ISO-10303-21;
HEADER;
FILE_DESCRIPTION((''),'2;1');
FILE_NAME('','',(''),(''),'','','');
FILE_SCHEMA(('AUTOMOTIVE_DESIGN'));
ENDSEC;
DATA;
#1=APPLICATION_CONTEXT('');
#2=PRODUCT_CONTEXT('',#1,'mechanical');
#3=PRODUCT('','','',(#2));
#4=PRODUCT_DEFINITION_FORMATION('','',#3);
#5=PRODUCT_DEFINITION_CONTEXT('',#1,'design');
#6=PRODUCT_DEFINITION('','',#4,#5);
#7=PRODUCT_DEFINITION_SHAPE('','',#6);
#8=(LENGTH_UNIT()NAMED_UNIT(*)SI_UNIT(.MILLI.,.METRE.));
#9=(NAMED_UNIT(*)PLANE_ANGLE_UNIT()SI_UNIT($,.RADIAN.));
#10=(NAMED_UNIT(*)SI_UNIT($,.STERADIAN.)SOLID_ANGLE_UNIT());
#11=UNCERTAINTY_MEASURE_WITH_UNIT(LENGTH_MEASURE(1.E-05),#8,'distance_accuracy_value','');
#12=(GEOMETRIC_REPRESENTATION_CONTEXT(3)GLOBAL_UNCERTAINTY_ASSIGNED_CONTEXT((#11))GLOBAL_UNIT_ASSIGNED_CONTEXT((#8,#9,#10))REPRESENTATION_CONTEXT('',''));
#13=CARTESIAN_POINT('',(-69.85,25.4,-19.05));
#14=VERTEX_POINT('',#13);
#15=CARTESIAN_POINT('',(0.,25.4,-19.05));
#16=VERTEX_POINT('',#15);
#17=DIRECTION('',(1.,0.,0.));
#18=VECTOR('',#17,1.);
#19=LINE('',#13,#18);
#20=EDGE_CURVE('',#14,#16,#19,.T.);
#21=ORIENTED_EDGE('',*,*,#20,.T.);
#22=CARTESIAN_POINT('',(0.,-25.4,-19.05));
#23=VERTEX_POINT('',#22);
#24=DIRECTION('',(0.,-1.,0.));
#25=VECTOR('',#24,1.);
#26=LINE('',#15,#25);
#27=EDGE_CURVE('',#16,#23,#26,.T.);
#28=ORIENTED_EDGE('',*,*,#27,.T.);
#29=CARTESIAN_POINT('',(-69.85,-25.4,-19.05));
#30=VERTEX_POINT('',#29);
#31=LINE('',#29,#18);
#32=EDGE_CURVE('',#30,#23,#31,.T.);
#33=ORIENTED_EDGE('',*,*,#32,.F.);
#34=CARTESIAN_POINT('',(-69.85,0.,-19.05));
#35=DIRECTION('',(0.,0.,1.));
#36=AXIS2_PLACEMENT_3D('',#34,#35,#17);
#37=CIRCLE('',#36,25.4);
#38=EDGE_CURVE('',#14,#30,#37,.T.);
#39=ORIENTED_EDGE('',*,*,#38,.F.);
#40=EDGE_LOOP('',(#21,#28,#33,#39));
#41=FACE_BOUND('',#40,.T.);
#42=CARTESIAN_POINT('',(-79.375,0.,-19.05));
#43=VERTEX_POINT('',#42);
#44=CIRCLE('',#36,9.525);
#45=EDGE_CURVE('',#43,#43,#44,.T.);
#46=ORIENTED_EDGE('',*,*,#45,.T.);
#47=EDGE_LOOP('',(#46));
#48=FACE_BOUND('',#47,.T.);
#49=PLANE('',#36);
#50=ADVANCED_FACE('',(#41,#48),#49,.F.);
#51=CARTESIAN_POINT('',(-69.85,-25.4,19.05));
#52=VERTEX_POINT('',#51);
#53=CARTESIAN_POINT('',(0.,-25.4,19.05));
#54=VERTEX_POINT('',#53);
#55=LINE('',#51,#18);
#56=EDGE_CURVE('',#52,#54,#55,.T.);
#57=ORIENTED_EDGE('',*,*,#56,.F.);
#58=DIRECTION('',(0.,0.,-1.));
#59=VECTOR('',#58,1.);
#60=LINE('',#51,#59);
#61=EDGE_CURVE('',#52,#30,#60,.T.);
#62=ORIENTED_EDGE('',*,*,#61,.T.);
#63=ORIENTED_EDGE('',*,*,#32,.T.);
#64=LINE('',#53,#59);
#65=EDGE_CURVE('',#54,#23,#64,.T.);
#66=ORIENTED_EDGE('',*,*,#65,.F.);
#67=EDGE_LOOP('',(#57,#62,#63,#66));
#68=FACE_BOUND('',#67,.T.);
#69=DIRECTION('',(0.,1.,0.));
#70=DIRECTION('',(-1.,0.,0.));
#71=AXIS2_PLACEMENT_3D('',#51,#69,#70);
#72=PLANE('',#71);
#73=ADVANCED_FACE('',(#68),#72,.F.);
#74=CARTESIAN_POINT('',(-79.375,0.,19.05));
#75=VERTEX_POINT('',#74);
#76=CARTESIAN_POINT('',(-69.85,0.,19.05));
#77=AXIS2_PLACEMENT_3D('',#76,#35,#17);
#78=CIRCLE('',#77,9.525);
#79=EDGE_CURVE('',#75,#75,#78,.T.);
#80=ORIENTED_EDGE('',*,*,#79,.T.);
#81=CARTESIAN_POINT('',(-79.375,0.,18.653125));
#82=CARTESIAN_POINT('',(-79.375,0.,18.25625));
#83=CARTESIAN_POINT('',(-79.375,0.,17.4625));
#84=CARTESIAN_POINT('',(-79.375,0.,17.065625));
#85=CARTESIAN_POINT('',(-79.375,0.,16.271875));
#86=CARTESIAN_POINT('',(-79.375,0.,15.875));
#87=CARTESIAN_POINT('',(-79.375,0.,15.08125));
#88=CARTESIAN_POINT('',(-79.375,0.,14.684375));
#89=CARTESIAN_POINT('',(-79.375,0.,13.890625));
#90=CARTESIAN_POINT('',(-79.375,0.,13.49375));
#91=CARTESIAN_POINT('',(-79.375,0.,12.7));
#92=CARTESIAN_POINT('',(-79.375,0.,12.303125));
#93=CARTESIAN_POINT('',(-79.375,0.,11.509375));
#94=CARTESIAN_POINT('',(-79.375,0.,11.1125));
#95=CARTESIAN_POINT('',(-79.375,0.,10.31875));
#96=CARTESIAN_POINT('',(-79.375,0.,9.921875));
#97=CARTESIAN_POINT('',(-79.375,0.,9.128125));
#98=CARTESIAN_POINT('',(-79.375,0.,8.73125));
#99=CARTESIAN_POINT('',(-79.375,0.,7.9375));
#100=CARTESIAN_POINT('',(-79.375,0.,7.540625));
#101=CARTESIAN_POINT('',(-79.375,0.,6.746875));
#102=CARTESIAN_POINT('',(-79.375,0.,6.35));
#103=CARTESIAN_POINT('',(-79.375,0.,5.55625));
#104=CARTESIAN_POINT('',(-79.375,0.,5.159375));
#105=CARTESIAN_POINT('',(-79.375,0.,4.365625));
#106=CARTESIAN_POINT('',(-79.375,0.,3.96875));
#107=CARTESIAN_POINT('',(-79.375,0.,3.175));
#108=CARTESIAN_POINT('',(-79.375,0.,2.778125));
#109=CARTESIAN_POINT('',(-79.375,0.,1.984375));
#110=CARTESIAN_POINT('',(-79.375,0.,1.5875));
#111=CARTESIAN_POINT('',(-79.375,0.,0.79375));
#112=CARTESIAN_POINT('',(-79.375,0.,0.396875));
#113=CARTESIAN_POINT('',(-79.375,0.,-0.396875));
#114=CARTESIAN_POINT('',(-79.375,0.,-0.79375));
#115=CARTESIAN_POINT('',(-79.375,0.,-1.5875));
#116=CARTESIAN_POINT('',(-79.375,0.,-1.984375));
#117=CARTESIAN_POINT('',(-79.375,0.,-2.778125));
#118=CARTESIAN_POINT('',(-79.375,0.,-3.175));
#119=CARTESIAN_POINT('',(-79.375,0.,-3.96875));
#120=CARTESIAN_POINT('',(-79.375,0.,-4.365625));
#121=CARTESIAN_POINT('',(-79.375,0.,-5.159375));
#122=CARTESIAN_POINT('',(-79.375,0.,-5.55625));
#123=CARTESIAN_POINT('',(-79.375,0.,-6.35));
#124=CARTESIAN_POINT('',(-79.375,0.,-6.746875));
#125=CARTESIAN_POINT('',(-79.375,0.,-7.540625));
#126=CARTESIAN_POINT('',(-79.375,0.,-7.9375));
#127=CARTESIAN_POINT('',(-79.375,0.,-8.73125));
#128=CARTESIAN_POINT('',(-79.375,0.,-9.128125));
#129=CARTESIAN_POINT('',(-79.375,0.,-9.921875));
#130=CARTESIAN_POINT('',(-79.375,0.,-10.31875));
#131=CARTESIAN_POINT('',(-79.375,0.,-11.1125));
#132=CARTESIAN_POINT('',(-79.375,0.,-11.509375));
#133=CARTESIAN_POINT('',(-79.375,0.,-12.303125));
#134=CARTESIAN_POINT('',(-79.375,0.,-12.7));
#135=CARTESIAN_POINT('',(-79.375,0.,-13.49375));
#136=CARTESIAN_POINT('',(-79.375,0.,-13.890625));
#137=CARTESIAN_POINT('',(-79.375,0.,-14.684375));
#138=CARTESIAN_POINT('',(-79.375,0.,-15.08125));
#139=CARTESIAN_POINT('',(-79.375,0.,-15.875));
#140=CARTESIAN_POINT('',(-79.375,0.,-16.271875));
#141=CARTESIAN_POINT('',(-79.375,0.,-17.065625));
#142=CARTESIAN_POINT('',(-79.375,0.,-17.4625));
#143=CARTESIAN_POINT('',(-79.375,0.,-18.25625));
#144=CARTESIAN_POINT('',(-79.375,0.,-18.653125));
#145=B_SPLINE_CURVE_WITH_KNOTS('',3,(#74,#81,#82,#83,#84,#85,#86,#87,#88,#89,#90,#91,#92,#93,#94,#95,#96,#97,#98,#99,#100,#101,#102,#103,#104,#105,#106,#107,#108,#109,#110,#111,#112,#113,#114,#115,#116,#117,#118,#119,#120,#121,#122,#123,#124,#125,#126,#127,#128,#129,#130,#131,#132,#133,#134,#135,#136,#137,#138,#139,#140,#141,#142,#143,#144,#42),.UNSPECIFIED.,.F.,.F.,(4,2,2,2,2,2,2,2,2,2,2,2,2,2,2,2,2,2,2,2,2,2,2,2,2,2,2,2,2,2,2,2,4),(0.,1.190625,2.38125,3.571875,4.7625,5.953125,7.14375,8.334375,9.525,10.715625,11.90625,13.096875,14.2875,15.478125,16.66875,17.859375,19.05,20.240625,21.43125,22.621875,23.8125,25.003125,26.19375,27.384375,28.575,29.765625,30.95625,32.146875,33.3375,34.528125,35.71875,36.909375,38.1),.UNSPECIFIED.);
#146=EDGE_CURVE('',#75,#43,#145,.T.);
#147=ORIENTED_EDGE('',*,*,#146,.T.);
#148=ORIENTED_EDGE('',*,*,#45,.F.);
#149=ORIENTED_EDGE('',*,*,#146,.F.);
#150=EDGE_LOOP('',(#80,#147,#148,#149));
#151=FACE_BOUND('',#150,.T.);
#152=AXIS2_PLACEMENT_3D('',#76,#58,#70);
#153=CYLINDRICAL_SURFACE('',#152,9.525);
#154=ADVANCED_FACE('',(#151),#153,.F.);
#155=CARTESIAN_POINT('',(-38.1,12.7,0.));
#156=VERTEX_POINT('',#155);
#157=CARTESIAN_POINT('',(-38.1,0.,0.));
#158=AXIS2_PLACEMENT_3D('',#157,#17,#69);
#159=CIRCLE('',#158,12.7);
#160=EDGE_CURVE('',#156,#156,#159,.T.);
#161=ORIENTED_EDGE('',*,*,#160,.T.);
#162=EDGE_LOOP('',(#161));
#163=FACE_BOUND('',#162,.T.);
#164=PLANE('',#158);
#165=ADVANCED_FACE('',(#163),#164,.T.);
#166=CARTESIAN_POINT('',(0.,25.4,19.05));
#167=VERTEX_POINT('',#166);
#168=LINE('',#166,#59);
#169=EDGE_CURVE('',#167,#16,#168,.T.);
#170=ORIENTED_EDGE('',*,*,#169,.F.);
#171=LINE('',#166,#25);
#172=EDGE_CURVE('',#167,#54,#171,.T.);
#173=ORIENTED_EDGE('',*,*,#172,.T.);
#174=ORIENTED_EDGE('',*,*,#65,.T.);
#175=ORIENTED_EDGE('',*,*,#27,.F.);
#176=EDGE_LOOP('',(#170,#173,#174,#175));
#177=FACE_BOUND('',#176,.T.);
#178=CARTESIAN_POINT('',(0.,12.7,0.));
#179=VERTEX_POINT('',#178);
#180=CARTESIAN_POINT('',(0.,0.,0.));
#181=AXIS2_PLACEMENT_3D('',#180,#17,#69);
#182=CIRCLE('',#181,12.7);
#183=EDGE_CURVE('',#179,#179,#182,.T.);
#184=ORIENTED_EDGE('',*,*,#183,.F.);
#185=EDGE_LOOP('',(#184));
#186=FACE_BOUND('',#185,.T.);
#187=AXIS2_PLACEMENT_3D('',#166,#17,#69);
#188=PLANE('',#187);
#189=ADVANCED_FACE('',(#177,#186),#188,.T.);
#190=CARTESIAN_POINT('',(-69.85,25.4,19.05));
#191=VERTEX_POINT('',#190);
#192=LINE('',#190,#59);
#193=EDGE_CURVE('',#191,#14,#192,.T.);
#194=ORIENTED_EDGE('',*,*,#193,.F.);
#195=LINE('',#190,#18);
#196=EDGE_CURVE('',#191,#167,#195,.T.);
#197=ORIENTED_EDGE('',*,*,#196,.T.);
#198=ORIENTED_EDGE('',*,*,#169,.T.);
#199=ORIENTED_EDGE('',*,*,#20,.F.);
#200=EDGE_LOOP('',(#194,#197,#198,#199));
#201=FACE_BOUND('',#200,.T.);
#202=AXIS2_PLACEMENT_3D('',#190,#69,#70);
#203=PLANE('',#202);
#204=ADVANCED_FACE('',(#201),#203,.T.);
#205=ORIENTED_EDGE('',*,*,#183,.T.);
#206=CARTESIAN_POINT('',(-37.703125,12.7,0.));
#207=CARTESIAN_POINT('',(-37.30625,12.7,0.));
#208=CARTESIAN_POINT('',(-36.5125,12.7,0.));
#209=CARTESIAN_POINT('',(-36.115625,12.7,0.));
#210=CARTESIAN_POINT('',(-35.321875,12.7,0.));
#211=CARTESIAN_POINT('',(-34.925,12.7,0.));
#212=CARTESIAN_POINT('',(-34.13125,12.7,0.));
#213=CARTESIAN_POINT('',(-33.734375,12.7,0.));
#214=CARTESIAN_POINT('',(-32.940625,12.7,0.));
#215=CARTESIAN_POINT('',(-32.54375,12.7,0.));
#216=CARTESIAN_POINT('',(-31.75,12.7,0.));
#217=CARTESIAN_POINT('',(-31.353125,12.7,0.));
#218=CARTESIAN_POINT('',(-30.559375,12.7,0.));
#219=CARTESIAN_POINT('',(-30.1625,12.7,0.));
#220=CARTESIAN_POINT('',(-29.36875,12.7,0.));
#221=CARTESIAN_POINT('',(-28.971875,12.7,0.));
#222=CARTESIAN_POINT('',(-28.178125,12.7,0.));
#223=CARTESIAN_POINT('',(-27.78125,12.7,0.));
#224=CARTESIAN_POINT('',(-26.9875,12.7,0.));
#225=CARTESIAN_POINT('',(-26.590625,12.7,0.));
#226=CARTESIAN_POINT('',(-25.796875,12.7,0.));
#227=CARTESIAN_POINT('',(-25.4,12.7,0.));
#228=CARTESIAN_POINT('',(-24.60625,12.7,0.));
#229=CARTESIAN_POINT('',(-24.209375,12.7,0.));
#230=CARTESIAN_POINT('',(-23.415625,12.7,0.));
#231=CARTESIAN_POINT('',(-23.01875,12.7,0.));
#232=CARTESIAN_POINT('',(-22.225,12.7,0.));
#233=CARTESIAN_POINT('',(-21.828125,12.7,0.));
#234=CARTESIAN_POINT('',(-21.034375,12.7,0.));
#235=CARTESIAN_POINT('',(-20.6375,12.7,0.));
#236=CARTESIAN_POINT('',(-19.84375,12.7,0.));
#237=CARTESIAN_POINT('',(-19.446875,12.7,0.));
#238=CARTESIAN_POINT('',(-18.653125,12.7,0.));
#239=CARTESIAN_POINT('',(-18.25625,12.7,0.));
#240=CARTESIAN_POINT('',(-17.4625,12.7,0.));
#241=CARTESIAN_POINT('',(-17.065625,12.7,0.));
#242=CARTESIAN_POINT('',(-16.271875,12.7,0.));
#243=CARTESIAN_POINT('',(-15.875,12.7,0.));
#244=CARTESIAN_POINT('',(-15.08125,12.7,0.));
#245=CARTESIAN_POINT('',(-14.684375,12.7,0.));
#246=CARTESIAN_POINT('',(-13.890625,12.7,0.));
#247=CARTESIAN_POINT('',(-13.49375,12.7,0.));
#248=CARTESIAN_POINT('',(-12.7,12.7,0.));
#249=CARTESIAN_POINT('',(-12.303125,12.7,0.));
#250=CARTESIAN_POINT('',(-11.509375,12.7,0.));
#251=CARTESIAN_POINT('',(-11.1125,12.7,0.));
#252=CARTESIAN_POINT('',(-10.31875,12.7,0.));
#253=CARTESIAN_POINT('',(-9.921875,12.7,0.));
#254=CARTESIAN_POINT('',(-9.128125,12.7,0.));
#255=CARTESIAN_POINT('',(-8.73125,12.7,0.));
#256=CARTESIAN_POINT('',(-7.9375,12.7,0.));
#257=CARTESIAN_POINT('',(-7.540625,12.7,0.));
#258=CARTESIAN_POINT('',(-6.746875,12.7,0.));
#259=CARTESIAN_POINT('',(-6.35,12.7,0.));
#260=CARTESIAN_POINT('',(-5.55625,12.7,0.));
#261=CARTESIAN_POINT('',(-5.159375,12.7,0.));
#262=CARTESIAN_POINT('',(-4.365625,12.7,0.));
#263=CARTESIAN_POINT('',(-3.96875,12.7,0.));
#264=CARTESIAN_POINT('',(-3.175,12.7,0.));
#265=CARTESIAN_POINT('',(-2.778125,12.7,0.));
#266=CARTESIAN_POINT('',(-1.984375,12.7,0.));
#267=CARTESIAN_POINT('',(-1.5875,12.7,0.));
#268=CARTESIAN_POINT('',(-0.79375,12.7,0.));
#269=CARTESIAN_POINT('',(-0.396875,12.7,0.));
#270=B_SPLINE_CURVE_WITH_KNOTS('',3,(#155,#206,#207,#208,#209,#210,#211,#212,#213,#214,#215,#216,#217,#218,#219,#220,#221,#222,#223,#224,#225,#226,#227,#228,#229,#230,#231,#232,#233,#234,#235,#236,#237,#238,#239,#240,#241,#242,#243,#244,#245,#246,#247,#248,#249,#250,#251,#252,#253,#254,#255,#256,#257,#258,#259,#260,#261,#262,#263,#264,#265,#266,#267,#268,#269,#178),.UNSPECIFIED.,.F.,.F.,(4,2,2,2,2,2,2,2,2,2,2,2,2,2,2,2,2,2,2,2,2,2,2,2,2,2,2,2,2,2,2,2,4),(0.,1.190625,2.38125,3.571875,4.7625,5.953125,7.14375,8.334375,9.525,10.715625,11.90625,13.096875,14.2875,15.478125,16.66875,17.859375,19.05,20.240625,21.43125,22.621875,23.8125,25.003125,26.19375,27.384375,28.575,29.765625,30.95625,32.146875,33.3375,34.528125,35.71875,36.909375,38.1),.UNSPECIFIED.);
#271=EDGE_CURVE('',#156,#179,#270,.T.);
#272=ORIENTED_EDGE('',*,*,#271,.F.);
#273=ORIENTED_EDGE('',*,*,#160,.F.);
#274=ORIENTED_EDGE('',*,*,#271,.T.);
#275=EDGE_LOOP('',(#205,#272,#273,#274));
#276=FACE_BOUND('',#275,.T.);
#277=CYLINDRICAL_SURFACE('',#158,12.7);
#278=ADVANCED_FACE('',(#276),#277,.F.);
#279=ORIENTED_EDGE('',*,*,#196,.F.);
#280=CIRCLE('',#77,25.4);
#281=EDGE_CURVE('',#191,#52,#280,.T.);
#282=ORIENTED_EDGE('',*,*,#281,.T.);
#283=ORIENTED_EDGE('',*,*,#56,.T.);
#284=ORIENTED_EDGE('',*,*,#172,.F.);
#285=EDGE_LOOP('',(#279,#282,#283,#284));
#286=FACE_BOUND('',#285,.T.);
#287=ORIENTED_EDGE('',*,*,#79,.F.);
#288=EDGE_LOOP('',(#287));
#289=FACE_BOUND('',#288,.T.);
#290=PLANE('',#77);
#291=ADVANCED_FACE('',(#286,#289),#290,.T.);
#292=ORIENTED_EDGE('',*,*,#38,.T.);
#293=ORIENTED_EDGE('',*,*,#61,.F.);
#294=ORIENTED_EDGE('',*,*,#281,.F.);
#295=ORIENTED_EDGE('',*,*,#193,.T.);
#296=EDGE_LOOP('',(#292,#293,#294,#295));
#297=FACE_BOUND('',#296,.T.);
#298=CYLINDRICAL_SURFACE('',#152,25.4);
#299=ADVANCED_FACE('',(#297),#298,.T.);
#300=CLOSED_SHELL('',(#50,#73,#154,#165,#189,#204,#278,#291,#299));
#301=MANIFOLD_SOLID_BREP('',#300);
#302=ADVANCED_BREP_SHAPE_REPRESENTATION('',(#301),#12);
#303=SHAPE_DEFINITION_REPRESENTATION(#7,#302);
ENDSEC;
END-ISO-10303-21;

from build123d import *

# Parameters (mm, degrees)
SKETCH3_R          = 9.525
BASE_EXTRUDE_DEPTH = 19.05
SKETCH4_R          = 12.7
CUT_EXTRUDE1_DEPTH = 38.1


with BuildPart() as part:
    # Sketch3 → Base-Extrude (new, symmetric)
    with BuildSketch(Plane.XY):
        with BuildLine():
            Line((-69.85, 25.4), (0, 25.4))
            Line((0, 25.4), (0, -25.4))
            Line((0, -25.4), (-69.85, -25.4))
            ThreePointArc((-69.85, -25.4), (-95.25, 0), (-69.85, 25.4))
        make_face()
        with Locations(Location((-69.85, 0, 0), (0, 0, 180))):
            Circle(SKETCH3_R, mode=Mode.SUBTRACT)
    extrude(amount=BASE_EXTRUDE_DEPTH, both=True)

    # Sketch4 → Cut-Extrude1 (cut)
    with BuildSketch(Plane(origin=(0, 0, 0), x_dir=(0, 0, -1), z_dir=(1, 0, 0))):
        with Locations(Location((0, 0, 0), (0, 0, 90))):
            Circle(SKETCH4_R)
    extrude(amount=-CUT_EXTRUDE1_DEPTH, mode=Mode.SUBTRACT)


solid = part.part
